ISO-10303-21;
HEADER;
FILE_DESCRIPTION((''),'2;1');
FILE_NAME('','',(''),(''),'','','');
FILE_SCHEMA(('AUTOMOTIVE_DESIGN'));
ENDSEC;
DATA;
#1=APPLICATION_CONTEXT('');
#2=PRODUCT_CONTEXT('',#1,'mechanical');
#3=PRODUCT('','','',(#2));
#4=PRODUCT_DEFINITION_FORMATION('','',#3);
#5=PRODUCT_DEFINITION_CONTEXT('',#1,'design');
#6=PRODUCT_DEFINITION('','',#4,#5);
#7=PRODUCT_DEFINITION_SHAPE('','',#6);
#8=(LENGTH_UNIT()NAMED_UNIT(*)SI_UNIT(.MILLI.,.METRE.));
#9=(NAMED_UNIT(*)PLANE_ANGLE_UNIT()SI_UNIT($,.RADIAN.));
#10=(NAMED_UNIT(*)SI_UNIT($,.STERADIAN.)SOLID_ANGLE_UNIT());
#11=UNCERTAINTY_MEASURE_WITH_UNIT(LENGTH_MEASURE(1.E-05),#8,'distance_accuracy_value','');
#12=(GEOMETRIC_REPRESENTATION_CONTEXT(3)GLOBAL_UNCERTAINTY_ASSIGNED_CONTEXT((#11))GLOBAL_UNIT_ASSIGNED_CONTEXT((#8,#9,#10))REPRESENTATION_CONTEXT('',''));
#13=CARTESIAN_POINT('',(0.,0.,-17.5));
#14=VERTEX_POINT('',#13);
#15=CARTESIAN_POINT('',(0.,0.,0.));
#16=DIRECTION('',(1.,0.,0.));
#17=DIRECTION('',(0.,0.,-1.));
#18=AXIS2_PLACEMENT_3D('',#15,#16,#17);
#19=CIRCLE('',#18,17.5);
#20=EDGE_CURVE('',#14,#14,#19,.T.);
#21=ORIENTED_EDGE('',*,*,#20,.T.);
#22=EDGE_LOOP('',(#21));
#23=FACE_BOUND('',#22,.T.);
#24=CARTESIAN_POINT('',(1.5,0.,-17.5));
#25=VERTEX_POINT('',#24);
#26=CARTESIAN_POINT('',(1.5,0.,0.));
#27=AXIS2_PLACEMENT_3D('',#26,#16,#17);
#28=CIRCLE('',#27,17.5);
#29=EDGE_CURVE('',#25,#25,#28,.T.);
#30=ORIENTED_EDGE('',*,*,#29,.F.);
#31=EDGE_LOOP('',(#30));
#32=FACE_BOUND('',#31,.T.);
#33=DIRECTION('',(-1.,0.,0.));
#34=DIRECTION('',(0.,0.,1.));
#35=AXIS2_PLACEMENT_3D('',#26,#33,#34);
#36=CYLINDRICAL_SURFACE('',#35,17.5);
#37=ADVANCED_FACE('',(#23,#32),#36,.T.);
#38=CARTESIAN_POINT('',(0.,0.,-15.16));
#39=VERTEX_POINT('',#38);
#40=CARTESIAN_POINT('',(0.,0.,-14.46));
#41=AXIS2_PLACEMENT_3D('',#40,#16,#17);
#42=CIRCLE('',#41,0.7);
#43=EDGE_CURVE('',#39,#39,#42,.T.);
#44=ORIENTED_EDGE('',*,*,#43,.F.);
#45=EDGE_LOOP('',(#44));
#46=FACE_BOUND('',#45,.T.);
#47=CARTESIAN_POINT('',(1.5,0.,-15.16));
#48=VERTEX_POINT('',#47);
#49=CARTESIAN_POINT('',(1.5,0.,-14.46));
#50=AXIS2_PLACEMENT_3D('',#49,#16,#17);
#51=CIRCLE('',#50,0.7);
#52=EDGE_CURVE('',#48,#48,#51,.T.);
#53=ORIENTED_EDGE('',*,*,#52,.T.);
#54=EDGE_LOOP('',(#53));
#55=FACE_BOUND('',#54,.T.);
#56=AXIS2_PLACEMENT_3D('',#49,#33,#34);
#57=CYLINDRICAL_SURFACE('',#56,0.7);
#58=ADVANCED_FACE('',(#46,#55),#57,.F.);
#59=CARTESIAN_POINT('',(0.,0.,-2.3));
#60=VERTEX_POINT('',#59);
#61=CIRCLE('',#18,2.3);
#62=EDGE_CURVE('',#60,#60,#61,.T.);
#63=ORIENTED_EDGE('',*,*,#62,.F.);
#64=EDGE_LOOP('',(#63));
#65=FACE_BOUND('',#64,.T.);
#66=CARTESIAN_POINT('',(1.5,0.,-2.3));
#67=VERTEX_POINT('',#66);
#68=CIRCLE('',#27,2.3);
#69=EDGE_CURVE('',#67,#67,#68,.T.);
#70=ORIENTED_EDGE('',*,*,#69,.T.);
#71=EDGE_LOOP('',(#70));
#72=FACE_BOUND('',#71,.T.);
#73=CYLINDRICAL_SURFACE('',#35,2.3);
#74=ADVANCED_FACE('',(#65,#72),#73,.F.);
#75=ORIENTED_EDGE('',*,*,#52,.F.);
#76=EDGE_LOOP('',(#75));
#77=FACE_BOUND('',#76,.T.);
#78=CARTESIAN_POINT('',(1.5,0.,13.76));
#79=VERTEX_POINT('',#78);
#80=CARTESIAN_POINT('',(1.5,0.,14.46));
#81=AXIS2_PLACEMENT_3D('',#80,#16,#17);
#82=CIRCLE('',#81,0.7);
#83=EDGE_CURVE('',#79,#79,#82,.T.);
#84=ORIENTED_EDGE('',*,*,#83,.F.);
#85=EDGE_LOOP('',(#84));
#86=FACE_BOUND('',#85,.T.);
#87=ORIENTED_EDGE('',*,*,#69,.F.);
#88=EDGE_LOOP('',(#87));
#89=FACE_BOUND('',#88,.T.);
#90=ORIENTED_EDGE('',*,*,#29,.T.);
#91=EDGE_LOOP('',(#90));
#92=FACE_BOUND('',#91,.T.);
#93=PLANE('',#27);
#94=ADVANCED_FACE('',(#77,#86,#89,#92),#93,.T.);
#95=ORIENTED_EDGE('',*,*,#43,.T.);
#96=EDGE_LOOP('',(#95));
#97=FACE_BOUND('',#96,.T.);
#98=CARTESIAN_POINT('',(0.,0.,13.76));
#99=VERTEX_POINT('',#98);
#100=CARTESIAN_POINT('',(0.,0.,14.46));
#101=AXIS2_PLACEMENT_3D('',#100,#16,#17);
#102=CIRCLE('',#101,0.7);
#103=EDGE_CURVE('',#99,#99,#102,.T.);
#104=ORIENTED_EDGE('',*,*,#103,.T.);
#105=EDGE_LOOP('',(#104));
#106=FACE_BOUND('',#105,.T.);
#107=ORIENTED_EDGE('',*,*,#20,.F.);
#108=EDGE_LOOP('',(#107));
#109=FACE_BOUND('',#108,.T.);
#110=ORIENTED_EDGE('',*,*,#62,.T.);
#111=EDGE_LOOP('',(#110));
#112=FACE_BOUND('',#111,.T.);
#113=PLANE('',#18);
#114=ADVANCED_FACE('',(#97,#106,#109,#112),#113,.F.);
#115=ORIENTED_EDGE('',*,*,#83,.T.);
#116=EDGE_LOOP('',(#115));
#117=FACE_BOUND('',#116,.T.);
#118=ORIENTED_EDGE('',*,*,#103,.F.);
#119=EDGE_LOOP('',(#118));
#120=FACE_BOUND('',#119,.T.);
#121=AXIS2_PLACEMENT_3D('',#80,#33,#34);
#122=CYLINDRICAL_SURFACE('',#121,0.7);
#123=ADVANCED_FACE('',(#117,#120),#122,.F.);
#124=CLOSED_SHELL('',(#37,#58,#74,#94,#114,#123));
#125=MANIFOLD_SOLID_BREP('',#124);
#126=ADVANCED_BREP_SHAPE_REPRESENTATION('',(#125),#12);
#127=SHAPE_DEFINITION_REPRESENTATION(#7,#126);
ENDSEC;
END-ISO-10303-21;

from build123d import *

# Parameters (mm, degrees)
SKETCH1_R           = 17.5
SKETCH1_R_2         = 2.3
SKETCH1_R_3         = 0.7
BOSS_EXTRUDE1_DEPTH = 1.5


with BuildPart() as part:
    # Sketch1 → Boss-Extrude1 (new body)
    with BuildSketch(Plane(origin=(0, 0, 0), x_dir=(0, 0, -1), z_dir=(1, 0, 0))):
        Circle(SKETCH1_R)
        Circle(SKETCH1_R_2, mode=Mode.SUBTRACT)
        with Locations((14.46, 0)):
            Circle(SKETCH1_R_3, mode=Mode.SUBTRACT)
        with Locations((-14.46, 0)):
            Circle(SKETCH1_R_3, mode=Mode.SUBTRACT)
    extrude(amount=BOSS_EXTRUDE1_DEPTH)


solid = part.part
